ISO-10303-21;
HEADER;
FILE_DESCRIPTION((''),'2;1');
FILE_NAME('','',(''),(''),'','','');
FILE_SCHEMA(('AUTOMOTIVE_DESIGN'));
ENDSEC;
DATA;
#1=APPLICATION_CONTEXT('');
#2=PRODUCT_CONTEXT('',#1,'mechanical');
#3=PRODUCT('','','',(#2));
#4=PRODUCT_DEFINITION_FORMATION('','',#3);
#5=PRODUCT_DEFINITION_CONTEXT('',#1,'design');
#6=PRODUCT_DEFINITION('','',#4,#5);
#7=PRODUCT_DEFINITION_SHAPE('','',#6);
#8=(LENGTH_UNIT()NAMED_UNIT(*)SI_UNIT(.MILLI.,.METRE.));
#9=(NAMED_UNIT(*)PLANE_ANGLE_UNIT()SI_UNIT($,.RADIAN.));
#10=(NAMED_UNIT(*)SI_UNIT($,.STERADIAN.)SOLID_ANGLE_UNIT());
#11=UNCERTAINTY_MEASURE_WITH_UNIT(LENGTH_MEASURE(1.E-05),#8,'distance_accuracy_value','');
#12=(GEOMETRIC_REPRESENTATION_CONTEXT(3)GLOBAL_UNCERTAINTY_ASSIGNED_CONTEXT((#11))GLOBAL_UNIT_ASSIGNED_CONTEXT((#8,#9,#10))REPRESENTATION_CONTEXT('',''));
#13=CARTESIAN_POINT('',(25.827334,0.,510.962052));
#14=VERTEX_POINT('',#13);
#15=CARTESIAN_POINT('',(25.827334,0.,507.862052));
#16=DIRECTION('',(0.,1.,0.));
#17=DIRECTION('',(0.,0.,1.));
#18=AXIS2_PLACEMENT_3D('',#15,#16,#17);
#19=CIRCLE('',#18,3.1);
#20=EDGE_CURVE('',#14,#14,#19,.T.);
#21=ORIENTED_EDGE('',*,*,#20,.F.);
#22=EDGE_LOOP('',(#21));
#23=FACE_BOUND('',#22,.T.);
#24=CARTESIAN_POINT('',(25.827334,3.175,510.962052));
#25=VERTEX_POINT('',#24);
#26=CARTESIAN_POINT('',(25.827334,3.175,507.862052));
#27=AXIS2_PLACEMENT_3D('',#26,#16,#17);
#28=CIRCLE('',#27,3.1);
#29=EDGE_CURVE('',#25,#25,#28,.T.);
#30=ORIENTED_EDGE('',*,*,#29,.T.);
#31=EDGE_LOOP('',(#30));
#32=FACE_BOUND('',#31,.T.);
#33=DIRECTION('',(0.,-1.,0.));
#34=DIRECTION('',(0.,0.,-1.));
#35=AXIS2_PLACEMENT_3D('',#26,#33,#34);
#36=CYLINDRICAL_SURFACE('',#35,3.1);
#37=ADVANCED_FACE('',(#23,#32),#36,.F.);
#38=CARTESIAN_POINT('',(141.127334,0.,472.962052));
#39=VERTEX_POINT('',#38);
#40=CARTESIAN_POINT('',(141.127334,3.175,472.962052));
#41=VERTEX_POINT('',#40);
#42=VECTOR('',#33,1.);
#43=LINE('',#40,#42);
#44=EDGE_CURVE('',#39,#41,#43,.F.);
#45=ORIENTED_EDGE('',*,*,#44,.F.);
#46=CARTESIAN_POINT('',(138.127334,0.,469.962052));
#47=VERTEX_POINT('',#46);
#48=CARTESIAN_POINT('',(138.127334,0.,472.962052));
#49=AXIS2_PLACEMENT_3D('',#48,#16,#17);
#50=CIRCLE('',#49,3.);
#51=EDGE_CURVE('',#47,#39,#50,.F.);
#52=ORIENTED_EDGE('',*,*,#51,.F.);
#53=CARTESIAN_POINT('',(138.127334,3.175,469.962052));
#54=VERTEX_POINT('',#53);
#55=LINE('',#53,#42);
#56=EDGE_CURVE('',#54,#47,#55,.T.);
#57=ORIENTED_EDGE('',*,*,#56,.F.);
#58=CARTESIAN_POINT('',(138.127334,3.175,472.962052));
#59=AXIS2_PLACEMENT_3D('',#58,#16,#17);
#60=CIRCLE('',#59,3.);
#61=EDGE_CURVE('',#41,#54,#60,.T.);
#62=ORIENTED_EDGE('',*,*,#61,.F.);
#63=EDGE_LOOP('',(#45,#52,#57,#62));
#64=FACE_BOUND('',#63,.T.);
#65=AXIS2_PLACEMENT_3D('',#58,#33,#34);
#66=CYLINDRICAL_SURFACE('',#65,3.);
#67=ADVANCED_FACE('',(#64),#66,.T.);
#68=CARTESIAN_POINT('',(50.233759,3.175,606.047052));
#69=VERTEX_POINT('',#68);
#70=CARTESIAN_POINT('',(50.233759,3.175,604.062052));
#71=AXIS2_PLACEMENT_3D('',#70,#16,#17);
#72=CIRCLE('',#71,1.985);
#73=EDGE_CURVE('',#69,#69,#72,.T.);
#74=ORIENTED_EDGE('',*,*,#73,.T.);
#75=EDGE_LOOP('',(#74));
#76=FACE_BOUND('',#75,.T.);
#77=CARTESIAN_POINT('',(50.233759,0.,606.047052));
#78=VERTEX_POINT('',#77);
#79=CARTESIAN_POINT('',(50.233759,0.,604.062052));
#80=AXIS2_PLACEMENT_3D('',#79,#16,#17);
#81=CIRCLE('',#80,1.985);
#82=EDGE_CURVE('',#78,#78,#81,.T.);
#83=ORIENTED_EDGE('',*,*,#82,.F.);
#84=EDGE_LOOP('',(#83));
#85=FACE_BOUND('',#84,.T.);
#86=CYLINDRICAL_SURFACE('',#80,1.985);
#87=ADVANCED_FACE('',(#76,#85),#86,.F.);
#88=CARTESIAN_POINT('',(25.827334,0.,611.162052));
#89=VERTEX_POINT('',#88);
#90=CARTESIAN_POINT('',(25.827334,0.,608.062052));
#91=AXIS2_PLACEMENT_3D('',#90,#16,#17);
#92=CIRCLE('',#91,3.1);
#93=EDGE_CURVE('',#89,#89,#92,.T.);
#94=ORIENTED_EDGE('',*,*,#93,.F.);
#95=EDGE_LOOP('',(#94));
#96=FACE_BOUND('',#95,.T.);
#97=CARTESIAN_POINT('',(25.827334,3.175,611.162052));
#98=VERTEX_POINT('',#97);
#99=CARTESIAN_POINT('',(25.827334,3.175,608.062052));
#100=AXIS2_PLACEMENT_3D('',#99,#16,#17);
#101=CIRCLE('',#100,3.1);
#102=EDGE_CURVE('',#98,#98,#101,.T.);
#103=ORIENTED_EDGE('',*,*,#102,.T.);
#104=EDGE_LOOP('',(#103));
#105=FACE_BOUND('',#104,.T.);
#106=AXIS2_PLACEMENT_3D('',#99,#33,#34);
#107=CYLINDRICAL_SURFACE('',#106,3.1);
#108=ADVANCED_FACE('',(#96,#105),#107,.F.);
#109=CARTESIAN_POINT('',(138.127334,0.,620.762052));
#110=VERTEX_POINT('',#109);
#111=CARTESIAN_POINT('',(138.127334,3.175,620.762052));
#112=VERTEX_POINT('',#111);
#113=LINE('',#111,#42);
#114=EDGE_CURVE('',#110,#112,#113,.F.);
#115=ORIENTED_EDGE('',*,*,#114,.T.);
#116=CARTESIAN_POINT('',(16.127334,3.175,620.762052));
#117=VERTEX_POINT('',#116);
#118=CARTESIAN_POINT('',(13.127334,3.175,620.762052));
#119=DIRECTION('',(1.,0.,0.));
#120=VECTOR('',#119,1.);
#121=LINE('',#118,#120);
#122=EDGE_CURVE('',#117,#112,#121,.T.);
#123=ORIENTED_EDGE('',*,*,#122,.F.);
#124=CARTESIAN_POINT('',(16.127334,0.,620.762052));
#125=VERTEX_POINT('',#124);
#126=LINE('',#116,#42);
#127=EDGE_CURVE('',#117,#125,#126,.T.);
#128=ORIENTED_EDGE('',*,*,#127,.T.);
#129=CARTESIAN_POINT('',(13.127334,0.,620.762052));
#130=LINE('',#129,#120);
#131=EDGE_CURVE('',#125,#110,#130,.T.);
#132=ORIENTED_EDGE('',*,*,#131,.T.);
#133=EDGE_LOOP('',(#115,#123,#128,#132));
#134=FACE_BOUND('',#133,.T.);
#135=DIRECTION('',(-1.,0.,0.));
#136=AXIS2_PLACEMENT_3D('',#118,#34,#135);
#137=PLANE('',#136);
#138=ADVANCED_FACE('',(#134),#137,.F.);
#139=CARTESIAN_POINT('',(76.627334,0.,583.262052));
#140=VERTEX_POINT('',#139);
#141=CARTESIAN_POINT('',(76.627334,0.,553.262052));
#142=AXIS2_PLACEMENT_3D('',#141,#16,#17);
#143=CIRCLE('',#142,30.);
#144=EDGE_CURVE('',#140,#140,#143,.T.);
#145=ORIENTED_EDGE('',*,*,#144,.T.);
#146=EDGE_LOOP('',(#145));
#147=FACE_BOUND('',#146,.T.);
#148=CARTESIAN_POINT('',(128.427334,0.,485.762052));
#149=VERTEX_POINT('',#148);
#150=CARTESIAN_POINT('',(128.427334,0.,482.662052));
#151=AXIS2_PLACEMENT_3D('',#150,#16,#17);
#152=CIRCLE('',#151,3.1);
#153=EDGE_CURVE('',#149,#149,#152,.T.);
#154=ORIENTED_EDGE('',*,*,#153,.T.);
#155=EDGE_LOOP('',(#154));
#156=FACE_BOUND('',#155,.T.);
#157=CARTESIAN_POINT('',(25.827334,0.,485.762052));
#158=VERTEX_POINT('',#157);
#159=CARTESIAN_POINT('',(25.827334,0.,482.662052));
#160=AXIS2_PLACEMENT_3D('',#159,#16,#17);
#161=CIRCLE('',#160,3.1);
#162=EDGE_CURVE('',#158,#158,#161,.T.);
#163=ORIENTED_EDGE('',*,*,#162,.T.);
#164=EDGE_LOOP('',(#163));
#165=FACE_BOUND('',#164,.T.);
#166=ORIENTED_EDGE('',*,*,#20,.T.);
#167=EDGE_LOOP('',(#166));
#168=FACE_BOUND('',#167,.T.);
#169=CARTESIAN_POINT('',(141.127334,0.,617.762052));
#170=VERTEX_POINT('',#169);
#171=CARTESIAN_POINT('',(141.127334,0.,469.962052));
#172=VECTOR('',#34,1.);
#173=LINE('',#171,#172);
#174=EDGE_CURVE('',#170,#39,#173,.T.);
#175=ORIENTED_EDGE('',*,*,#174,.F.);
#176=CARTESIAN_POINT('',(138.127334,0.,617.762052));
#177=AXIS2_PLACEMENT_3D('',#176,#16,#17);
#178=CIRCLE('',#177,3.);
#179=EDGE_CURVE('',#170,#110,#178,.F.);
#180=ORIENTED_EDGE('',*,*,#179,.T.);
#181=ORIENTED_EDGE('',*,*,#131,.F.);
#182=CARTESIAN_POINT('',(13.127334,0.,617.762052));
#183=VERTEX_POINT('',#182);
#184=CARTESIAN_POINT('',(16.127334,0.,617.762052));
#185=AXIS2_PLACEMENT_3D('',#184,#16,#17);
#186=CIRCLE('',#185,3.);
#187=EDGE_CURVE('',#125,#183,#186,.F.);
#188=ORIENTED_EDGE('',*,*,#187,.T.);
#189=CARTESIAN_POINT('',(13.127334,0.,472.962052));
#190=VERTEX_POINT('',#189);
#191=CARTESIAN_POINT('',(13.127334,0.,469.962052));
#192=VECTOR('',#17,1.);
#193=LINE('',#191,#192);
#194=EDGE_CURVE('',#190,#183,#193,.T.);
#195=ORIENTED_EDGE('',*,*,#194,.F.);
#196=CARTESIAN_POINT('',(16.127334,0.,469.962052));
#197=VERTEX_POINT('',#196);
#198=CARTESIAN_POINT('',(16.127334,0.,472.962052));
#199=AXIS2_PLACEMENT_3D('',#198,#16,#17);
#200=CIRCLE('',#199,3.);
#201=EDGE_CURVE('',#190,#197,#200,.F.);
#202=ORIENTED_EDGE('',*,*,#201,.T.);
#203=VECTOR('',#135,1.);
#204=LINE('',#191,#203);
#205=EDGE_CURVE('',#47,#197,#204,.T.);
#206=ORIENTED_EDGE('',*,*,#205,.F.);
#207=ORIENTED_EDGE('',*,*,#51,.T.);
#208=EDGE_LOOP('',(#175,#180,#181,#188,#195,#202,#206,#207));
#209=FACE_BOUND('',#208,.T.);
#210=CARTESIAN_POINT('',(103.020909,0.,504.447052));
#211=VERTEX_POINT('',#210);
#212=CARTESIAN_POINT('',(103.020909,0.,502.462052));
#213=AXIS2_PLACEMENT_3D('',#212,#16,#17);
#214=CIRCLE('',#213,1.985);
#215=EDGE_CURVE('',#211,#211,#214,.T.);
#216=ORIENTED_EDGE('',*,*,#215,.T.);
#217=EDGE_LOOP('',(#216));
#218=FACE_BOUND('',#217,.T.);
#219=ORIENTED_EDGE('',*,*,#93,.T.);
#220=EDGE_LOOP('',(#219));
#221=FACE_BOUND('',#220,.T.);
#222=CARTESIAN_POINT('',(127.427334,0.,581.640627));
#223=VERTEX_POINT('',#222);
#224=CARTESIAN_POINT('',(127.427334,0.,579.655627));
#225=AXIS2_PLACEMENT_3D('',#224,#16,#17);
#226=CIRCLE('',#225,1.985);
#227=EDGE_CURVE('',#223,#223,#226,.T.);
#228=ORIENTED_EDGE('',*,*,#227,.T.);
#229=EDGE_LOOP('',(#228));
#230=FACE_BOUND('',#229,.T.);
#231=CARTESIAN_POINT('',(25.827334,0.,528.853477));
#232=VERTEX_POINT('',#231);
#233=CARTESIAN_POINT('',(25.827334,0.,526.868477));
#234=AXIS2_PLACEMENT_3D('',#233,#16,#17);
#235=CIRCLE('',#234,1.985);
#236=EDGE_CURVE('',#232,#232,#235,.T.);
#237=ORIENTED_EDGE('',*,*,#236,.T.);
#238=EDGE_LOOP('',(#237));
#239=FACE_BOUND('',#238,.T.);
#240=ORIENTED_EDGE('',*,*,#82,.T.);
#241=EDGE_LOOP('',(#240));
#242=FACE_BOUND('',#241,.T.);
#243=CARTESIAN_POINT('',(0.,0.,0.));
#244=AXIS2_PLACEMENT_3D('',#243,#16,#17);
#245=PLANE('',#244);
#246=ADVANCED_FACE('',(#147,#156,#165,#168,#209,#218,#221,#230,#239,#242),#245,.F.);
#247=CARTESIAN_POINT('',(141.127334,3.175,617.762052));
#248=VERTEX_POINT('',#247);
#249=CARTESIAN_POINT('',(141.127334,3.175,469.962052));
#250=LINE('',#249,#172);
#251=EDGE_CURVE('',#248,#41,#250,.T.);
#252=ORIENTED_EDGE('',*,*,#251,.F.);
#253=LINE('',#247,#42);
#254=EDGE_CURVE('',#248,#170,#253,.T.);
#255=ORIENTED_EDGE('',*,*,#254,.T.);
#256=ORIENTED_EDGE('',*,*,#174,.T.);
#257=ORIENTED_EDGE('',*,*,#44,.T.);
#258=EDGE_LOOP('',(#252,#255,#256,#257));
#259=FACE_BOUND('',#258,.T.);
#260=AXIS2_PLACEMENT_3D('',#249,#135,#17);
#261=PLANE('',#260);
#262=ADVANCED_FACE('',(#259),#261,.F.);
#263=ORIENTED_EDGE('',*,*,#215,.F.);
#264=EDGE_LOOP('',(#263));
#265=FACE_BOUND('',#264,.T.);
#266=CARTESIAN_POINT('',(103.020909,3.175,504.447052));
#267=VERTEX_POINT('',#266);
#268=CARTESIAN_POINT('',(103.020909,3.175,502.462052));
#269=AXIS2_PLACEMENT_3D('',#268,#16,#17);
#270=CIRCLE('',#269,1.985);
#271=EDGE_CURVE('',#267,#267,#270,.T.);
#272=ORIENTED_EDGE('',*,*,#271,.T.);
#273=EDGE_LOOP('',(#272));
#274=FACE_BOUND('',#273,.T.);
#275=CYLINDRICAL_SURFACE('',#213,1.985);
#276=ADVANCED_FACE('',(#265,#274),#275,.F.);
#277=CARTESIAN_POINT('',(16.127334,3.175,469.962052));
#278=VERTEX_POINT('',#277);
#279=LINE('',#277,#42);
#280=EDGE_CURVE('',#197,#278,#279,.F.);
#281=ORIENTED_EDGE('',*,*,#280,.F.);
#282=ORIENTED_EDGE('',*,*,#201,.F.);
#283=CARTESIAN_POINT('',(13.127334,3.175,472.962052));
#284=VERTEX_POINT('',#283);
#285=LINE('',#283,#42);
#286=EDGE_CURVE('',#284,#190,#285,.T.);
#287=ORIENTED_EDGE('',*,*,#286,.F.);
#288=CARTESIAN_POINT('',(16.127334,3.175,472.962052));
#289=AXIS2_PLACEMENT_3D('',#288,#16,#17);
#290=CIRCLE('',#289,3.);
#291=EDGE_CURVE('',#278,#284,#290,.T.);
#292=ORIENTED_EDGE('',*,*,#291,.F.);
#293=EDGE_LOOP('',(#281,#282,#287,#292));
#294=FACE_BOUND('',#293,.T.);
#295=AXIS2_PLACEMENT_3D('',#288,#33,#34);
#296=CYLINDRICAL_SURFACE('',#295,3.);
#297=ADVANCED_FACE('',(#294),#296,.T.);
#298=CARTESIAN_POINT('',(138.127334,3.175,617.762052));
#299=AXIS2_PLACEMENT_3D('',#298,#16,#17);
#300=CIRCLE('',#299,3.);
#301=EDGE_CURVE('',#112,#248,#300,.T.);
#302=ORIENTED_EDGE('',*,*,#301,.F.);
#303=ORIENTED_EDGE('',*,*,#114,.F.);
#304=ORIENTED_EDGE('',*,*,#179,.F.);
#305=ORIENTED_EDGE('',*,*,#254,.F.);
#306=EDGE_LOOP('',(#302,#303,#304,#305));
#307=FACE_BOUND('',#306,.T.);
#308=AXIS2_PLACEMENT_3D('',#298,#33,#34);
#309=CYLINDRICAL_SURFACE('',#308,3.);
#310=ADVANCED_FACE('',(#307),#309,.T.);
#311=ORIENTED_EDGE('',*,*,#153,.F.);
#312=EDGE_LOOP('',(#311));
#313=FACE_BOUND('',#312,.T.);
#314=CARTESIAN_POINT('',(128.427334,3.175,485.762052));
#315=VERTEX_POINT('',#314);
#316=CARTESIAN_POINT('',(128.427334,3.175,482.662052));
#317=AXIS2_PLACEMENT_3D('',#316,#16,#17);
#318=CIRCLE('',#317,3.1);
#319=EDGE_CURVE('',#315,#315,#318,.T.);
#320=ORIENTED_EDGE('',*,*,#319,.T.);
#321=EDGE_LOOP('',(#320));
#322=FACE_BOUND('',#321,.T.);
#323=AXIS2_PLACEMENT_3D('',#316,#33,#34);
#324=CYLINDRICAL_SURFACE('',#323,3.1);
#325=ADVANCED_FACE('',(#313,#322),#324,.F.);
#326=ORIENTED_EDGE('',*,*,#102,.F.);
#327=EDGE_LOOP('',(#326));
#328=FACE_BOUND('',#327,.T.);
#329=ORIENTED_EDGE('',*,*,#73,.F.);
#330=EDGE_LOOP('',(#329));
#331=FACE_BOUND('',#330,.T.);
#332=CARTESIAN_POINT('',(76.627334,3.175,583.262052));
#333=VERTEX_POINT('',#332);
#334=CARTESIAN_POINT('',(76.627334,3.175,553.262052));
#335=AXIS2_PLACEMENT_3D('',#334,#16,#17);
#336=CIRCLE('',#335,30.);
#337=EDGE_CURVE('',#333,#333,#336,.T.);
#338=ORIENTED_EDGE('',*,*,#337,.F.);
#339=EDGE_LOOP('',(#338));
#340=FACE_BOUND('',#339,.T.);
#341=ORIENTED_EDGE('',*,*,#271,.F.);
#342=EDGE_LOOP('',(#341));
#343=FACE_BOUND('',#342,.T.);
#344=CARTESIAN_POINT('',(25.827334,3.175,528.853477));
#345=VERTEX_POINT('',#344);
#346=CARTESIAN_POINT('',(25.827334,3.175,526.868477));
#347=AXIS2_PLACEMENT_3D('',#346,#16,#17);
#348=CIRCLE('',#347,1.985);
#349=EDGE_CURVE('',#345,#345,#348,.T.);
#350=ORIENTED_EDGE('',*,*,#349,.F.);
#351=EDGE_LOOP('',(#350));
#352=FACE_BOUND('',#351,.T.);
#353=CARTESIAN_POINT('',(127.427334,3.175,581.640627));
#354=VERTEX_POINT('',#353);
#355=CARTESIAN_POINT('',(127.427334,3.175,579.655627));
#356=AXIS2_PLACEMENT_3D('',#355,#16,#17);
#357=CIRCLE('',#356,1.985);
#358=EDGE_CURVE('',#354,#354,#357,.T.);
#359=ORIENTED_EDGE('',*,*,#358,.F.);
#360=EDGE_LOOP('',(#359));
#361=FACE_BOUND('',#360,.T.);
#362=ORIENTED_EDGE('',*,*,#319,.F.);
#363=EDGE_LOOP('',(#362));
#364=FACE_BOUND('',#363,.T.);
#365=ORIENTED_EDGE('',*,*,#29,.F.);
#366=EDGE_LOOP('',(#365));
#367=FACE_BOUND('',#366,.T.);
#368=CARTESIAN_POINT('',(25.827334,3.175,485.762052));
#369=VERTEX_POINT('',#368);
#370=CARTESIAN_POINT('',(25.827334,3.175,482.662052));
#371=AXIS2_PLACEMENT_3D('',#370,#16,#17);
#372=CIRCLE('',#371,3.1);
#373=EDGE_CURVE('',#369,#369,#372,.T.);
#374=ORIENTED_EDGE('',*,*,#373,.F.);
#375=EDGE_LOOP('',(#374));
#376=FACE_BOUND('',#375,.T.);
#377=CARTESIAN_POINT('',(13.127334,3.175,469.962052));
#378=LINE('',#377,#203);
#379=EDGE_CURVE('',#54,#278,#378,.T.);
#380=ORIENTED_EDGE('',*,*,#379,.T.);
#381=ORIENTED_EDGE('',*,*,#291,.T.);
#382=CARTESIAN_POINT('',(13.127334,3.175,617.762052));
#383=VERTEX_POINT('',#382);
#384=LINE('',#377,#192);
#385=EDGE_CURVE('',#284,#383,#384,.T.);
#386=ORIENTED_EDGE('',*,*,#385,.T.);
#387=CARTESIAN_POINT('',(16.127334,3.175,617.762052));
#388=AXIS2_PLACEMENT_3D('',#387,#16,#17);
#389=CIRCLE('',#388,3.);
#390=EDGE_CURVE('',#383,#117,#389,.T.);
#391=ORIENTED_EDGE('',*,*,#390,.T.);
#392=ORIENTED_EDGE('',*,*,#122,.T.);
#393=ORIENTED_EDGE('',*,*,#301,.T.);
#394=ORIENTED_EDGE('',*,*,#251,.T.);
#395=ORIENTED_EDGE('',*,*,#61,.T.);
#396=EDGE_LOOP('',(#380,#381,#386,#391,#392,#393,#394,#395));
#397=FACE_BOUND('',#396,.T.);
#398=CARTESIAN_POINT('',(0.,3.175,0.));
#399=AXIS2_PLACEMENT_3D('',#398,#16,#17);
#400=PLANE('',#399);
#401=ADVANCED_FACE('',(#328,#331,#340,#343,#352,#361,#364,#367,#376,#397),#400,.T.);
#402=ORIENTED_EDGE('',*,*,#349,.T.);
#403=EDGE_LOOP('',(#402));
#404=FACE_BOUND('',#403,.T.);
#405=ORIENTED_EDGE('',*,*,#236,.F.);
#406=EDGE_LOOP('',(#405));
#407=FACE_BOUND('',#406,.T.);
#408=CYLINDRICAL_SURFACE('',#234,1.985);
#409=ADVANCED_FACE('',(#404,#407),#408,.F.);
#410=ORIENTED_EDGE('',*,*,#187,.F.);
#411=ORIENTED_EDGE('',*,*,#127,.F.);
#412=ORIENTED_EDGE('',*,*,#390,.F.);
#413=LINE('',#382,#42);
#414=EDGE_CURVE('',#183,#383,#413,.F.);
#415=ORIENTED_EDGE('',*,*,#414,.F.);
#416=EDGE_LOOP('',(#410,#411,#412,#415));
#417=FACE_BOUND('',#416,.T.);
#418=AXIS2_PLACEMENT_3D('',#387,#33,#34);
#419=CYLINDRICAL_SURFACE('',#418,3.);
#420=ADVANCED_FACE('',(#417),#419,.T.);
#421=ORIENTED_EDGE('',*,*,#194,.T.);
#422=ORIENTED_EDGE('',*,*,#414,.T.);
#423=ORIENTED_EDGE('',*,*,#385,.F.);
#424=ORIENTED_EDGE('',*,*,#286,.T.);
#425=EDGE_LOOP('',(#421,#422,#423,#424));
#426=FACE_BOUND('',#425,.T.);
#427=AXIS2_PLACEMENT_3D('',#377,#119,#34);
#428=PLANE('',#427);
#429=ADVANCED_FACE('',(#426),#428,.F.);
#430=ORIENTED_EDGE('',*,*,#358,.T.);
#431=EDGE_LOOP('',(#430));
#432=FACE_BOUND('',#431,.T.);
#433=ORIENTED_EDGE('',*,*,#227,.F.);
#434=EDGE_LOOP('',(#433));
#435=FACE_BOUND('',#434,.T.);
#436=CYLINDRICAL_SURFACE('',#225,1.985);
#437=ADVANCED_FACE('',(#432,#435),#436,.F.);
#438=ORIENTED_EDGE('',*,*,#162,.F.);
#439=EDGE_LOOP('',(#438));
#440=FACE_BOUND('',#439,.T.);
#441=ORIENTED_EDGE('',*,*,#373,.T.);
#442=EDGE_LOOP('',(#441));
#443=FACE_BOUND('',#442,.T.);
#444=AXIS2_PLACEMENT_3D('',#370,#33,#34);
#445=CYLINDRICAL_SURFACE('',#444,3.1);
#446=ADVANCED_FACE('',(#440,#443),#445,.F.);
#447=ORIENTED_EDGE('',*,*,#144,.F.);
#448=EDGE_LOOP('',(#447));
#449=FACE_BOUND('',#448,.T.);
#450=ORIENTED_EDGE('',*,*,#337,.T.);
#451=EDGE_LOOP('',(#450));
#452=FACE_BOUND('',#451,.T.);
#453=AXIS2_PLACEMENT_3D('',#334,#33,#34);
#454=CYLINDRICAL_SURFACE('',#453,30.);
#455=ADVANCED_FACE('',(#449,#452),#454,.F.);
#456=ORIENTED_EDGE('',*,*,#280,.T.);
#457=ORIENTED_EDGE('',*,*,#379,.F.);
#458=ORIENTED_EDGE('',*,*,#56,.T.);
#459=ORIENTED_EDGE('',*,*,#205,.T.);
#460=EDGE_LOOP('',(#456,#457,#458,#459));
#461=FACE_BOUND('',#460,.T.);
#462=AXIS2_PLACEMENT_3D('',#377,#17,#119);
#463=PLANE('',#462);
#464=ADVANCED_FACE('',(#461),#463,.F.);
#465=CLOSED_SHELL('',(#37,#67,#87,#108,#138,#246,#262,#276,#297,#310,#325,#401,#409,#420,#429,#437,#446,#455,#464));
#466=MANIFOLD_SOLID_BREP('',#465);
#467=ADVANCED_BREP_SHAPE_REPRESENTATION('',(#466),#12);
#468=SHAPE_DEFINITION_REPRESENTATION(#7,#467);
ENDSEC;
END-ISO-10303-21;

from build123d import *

# Parameters (mm, degrees)
SKETCH1_W           = 128
SKETCH1_H           = 150.8
SKETCH1_R           = 30
SKETCH1_R_2         = 3.1
BOSS_EXTRUDE1_DEPTH = 3.175
FILLET1_R           = 3
SKETCH3_R           = 1.985
CUT_EXTRUDE1_DEPTH  = 637.61018671


with BuildPart() as part:
    # Sketch1 → Boss-Extrude1 (new body)
    with BuildSketch(Plane(origin=(0, 0, 0), x_dir=(1, 0, 0), z_dir=(0, 1, 0))):
        with Locations((77.127334094, -545.362051651)):
            Rectangle(SKETCH1_W, SKETCH1_H)
        with Locations(Location((76.627334094, -553.262051651, 0), (0, 0, 270))):
            Circle(SKETCH1_R, mode=Mode.SUBTRACT)
        with Locations(Location((25.827334094, -482.662051651, 0), (0, 0, 270))):
            Circle(SKETCH1_R_2, mode=Mode.SUBTRACT)
        with Locations(Location((128.427334094, -482.662051651, 0), (0, 0, 270))):
            Circle(SKETCH1_R_2, mode=Mode.SUBTRACT)
        with Locations(Location((25.827334094, -608.062051651, 0), (0, 0, 270))):
            Circle(SKETCH1_R_2, mode=Mode.SUBTRACT)
        with Locations(Location((25.827334094, -507.862051651, 0), (0, 0, 270))):
            Circle(SKETCH1_R_2, mode=Mode.SUBTRACT)
    extrude(amount=BOSS_EXTRUDE1_DEPTH)

    # Fillet1
    fillet1_edges = [part.edges().sort_by_distance(p)[0] for p in [
        (141.127334094, 1.5875, 620.762051651),
        (13.127334094, 1.5875, 620.762051651),
        (13.127334094, 1.5875, 469.962051651),
        (141.127334094, 1.5875, 469.962051651),
    ]]
    fillet(fillet1_edges, radius=FILLET1_R)

    # Sketch3 → Cut-Extrude1 (cut, through all)
    with BuildSketch(Plane(origin=(0, 3.175, 0), x_dir=(1, 0, 0), z_dir=(0, 1, 0))):
        with Locations(Location((25.827334094, -526.868476675, 0), (0, 0, 270))):
            Circle(SKETCH3_R)
        with Locations(Location((103.020909069, -502.462051651, 0), (0, 0, 270))):
            Circle(SKETCH3_R)
        with Locations(Location((127.427334094, -579.655626627, 0), (0, 0, 270))):
            Circle(SKETCH3_R)
        with Locations(Location((50.233759118, -604.062051651, 0), (0, 0, 270))):
            Circle(SKETCH3_R)
    extrude(amount=-CUT_EXTRUDE1_DEPTH, mode=Mode.SUBTRACT)


solid = part.part
